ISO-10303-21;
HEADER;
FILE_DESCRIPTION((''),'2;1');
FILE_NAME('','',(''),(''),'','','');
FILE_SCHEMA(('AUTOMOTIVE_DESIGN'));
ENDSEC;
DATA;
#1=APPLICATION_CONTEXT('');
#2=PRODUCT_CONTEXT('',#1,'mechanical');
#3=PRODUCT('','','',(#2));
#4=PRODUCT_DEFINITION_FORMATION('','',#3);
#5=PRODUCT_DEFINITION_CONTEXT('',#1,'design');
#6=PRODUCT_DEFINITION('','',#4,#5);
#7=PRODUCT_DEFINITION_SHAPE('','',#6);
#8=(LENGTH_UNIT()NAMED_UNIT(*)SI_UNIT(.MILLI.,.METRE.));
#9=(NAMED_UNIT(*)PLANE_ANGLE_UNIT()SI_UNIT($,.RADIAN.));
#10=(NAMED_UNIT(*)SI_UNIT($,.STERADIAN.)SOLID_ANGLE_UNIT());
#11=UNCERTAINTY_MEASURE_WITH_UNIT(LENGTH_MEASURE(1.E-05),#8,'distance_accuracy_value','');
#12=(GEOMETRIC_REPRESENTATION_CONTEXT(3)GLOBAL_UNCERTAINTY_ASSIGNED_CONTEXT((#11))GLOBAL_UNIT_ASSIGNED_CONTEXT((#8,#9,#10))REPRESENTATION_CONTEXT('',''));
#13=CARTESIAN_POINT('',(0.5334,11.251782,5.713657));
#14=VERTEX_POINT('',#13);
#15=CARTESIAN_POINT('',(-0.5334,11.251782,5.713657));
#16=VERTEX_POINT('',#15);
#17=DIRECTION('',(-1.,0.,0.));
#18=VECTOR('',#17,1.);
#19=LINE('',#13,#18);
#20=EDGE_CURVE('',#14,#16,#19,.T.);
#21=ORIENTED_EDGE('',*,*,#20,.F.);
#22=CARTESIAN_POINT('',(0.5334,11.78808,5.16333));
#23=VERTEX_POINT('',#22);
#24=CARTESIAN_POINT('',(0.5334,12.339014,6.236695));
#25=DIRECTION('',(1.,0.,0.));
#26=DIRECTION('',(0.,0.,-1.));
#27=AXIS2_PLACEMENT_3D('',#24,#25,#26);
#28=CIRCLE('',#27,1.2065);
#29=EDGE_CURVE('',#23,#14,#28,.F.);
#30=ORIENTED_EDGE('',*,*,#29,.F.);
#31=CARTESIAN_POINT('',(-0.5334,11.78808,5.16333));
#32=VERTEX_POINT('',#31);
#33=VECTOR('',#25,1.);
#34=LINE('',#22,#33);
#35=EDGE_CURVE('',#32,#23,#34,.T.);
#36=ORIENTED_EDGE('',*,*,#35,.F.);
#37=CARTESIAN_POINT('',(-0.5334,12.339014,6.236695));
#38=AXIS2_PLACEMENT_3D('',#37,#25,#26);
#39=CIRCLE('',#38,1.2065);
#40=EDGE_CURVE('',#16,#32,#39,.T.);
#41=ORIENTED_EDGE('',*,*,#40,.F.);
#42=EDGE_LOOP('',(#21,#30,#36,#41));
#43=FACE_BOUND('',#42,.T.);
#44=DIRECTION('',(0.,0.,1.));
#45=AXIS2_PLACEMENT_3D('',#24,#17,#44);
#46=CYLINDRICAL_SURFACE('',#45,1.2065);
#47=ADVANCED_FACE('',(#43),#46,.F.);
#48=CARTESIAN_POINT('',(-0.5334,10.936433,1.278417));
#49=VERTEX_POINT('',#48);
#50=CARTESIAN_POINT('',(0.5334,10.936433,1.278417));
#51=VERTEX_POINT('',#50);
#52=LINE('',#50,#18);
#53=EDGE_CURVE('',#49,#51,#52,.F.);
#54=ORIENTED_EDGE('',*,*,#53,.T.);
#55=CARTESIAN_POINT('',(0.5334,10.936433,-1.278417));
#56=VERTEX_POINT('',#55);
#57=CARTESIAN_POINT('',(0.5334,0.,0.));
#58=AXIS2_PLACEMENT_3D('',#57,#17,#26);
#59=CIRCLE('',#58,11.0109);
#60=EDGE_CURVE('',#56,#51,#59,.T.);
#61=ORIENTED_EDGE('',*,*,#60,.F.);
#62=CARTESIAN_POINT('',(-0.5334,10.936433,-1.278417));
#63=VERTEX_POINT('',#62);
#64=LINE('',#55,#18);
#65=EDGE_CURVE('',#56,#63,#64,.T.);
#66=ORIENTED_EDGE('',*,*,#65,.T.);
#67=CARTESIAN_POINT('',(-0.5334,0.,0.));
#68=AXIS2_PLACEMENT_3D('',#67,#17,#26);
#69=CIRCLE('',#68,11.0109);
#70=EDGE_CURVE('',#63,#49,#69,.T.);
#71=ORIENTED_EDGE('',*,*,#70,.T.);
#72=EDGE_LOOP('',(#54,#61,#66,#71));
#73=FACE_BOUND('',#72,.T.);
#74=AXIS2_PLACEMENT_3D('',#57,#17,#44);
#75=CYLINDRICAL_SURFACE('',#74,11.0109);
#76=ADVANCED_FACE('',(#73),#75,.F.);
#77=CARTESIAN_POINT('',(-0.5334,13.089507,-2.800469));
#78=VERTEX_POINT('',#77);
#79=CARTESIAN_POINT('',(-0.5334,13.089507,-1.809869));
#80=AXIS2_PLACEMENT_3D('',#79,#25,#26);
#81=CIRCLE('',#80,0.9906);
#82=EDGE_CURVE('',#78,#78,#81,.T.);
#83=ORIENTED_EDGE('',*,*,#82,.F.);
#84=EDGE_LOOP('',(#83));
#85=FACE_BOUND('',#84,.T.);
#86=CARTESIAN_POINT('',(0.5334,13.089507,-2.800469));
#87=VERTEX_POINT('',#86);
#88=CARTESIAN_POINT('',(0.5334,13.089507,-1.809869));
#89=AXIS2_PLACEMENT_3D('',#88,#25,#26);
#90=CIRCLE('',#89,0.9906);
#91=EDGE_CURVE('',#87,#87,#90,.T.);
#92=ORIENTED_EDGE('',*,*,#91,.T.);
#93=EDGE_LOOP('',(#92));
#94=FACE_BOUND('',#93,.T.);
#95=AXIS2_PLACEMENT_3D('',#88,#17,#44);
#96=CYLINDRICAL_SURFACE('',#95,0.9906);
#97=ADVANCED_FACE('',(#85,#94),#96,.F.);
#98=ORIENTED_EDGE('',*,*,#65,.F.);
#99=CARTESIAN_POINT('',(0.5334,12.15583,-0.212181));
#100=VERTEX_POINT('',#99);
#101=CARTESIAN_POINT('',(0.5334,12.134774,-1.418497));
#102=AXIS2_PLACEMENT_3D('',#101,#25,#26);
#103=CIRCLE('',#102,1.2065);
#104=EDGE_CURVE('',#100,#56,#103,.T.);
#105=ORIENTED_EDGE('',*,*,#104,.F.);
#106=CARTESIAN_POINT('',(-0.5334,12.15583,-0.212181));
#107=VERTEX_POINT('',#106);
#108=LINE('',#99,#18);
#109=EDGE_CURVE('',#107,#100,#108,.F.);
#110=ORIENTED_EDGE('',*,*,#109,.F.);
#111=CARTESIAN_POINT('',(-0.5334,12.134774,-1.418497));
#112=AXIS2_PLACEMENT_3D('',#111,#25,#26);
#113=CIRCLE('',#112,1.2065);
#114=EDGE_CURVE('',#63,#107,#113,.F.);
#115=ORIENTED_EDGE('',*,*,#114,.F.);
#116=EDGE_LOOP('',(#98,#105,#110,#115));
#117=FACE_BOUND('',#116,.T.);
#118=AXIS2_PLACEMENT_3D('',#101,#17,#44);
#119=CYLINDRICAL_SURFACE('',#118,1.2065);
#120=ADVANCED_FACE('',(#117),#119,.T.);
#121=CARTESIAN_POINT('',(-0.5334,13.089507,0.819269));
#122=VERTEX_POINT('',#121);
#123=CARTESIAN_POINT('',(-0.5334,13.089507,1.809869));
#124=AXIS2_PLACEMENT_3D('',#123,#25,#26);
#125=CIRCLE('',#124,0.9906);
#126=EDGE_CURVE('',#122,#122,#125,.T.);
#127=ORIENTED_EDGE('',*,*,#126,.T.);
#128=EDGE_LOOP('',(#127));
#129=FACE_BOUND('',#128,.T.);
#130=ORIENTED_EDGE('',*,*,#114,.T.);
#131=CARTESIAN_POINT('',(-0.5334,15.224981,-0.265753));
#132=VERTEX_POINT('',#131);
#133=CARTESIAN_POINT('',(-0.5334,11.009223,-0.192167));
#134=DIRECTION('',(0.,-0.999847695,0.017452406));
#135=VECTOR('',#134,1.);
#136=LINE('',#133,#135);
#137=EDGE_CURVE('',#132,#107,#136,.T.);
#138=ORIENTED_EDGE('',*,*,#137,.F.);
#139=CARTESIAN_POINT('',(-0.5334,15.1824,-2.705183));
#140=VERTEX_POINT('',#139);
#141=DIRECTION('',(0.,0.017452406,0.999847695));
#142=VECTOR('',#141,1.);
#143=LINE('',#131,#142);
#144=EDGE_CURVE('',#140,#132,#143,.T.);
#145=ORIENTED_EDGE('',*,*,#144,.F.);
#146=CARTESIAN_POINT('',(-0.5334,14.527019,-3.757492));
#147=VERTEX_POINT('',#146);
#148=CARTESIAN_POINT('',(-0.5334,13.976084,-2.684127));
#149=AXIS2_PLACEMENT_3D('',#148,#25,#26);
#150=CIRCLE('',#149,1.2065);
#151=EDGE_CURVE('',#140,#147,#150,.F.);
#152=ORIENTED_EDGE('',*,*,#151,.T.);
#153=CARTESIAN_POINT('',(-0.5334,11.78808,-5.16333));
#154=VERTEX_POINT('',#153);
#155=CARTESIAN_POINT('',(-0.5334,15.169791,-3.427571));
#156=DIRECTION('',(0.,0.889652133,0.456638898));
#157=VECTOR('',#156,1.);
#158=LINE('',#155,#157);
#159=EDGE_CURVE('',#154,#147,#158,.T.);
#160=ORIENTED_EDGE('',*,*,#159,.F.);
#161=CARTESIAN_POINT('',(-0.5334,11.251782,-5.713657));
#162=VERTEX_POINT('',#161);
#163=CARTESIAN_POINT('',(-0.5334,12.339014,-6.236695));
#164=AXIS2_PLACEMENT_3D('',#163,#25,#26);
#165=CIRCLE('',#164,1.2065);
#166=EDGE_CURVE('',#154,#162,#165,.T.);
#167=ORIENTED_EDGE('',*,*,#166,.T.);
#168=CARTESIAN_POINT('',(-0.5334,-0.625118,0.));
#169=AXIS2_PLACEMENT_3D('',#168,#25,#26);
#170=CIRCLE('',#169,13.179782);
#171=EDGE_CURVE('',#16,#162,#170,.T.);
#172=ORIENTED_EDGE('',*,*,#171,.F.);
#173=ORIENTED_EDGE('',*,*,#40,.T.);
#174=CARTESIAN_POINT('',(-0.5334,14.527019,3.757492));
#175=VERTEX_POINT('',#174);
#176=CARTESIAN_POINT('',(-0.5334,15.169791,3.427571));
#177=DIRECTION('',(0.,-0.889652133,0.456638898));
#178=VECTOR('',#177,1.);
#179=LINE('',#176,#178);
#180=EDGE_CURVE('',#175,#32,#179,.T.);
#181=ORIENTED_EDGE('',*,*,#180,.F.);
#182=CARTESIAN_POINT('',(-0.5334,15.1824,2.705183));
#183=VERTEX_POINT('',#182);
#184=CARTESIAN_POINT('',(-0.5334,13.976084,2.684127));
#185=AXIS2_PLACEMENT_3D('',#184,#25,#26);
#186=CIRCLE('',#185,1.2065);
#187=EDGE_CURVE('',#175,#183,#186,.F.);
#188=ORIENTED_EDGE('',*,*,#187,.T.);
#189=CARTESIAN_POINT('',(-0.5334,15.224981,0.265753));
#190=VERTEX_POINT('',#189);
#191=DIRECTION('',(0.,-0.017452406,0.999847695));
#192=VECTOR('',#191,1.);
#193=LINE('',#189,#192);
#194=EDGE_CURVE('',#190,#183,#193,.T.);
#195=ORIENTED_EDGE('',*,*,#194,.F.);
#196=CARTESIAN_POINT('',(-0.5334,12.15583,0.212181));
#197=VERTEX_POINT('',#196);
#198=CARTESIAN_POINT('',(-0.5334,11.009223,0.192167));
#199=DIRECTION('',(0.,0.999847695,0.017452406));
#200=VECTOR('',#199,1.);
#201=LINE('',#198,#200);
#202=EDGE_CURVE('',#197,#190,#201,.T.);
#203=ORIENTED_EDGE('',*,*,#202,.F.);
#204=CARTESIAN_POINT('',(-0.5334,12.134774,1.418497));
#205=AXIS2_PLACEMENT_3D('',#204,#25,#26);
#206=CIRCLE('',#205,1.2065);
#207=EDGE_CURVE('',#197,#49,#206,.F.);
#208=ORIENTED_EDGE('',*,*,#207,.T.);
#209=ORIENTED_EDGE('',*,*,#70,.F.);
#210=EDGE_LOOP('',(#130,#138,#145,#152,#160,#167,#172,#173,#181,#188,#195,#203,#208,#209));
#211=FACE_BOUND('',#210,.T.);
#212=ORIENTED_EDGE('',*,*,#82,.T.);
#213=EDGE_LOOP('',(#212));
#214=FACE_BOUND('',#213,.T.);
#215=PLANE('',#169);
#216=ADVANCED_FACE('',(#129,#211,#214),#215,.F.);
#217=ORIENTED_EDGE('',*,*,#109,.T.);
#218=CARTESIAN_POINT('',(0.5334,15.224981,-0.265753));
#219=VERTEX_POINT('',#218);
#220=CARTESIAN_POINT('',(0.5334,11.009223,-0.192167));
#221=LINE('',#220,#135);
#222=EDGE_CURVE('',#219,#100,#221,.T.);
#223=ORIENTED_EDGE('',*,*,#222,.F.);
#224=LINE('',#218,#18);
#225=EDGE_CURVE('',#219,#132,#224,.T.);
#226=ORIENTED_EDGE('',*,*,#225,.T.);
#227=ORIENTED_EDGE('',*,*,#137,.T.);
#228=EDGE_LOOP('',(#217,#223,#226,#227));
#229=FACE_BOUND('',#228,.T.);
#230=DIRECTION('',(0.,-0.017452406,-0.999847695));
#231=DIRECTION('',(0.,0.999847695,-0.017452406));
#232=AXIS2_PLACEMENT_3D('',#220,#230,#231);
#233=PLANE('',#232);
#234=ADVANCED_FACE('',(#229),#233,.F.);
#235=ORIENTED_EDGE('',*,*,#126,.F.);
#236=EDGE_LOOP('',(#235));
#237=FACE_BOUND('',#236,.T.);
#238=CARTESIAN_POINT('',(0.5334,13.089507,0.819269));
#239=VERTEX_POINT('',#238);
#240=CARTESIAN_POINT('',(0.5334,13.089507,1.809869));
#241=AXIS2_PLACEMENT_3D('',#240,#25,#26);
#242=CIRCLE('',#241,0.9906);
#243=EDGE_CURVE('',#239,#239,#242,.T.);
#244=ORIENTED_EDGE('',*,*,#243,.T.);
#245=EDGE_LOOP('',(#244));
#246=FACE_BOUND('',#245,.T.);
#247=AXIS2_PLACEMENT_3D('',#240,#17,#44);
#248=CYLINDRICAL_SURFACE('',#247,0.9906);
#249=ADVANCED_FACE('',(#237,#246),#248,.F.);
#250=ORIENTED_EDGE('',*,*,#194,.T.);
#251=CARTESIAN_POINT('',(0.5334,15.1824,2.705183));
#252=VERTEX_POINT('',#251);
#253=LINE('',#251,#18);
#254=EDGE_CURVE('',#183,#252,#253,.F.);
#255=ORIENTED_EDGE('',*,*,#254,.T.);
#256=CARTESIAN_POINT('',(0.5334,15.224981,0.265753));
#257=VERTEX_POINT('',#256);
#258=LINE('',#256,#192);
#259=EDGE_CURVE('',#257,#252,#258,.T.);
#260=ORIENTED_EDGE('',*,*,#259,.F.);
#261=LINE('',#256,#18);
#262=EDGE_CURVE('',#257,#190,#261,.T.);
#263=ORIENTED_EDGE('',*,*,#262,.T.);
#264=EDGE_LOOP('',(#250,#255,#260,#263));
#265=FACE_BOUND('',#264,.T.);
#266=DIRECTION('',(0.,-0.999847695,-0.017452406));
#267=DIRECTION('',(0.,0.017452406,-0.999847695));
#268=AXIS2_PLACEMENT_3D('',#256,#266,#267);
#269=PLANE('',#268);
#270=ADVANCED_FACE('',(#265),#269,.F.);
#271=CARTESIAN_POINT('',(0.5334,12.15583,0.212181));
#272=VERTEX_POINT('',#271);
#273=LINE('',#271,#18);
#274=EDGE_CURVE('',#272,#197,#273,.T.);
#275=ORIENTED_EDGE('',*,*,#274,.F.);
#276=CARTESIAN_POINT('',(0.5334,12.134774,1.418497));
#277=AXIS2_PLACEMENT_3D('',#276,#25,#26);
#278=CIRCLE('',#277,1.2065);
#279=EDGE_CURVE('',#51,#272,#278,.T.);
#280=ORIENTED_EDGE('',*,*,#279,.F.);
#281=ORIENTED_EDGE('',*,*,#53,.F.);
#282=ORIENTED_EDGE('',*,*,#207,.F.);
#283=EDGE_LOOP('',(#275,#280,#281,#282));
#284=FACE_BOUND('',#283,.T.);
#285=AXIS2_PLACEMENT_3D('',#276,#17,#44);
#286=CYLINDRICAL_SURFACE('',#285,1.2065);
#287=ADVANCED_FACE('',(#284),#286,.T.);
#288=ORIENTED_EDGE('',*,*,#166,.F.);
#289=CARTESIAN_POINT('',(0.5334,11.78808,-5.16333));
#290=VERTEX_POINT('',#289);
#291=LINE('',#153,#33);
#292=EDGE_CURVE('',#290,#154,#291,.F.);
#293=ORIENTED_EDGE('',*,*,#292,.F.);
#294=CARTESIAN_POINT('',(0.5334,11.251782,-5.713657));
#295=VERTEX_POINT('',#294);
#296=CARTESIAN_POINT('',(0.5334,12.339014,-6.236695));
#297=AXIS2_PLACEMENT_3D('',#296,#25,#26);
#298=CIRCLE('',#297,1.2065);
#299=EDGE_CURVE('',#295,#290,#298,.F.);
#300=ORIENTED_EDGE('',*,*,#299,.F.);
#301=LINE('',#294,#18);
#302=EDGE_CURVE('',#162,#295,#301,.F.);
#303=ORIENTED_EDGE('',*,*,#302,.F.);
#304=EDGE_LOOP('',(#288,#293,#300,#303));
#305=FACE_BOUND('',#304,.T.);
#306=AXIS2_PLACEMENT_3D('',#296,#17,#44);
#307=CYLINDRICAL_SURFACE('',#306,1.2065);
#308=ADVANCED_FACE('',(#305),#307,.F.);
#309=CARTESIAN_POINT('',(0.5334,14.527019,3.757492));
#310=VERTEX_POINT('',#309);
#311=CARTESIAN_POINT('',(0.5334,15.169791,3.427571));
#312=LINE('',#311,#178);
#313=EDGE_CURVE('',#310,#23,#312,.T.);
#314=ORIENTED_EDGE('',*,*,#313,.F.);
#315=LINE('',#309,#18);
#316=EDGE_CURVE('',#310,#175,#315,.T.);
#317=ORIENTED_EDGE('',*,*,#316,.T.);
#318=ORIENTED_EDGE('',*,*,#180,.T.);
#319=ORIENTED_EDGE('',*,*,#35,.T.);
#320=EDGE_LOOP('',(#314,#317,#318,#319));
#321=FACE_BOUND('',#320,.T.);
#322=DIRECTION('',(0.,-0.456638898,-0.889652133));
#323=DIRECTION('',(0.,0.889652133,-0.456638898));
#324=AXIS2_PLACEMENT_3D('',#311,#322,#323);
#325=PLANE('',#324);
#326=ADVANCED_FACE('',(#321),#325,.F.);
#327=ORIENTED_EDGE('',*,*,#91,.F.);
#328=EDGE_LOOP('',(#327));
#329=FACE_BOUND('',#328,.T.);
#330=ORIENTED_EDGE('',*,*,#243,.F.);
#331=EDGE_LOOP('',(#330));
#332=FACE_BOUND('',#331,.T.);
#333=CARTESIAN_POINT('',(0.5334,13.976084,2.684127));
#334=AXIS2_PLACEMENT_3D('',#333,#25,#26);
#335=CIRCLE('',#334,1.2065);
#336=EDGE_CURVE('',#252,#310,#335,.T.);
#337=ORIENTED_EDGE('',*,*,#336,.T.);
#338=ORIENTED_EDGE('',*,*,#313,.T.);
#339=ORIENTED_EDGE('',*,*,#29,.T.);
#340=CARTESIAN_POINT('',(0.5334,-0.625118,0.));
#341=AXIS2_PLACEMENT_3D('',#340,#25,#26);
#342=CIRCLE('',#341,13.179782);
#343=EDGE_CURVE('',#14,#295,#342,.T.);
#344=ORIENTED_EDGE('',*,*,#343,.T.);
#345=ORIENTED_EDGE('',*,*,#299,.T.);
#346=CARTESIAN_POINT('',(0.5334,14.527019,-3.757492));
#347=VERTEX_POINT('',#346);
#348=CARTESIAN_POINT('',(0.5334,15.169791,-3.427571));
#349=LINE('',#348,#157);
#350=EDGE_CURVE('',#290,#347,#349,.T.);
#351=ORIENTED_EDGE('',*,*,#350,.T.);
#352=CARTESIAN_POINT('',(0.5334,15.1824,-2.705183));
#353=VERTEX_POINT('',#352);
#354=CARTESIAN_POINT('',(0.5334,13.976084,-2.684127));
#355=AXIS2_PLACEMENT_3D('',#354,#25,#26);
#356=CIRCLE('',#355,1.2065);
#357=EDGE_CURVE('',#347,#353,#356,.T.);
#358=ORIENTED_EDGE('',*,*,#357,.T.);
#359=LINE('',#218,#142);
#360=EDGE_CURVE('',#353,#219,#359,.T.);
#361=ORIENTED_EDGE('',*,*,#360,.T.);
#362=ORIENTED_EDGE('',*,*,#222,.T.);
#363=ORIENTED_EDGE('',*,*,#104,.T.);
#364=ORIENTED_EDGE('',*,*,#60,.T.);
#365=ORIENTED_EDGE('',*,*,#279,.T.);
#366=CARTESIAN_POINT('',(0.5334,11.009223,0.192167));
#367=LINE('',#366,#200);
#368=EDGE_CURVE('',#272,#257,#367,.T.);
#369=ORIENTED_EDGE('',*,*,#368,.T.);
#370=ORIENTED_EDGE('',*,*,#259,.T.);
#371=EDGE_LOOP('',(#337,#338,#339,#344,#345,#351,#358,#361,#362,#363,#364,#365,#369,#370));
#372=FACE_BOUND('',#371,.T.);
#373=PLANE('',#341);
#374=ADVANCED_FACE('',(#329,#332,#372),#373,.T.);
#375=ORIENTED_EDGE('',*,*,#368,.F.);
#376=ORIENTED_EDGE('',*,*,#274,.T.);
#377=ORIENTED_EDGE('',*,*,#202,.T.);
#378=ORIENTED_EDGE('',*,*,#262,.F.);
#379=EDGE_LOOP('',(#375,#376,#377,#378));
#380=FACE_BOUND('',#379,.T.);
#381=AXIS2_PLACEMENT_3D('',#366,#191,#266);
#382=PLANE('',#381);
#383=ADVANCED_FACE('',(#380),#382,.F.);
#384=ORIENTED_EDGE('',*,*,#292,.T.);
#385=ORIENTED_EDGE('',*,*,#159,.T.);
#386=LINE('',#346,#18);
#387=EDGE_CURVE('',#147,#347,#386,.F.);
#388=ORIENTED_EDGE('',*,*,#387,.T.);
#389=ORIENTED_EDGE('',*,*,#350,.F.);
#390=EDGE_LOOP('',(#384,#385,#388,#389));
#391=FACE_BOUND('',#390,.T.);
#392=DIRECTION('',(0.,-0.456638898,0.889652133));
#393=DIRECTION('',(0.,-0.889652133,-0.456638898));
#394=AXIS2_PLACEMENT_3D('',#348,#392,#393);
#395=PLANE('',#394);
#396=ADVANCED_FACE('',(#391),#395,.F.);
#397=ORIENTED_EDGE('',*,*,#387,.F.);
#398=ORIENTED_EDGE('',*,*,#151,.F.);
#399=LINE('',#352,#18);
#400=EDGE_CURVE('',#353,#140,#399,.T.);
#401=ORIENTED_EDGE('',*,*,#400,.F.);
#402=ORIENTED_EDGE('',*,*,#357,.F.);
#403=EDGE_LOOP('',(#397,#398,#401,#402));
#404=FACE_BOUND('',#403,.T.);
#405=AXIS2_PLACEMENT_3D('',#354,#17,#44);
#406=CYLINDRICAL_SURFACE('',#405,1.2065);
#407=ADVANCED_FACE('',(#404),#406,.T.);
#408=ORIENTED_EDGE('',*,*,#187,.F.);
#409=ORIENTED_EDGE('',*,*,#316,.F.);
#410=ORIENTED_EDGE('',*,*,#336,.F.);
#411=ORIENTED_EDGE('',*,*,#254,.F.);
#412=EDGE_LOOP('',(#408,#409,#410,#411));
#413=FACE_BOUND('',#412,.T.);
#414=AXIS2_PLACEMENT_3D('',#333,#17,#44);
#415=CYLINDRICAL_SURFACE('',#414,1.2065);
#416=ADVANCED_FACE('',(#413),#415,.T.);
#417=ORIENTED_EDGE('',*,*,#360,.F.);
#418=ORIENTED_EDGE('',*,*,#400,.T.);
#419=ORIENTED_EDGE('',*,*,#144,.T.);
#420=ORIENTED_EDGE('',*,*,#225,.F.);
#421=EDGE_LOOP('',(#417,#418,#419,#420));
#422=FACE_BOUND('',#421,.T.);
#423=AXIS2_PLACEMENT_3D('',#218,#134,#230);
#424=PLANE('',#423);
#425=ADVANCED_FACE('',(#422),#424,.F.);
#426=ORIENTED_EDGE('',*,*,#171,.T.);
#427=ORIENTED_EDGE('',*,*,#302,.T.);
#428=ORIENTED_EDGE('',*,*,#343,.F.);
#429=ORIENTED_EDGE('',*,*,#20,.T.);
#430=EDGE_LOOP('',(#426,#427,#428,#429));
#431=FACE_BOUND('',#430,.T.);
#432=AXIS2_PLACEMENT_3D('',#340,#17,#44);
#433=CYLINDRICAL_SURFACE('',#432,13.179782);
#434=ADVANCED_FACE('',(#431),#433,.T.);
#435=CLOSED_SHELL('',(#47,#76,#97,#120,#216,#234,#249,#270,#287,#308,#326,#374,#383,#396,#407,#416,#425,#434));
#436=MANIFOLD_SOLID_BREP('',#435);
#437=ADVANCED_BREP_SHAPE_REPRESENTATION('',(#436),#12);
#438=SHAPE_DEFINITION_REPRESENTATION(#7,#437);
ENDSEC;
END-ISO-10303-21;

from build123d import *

# Parameters (mm, degrees)
BOSS_EXTRUDE1_DEPTH      = 0.5334
BOSS_EXTRUDE1_DEPTH_BACK = 0.5334
SKETCH3_R                = 0.9906
FILLET1_R                = 1.2065


with BuildPart() as part:
    # Sketch3 → Boss-Extrude1 (new, two sides: drawn at the far end of the back side and taken through both)
    with BuildSketch(Plane(origin=(0, 0, 0), x_dir=(0, 0, -1), z_dir=(1, 0, 0)).offset(-BOSS_EXTRUDE1_DEPTH_BACK)):
        with BuildLine():
            Line((-3.427571395, 15.169791064), (-5.352943643, 11.418661811))
            ThreePointArc((-5.352943643, 11.418661811), (0, -13.8049), (5.352943643, 11.418661811))
            Line((5.352943643, 11.418661811), (3.427571395, 15.169791064))
            Line((3.427571395, 15.169791064), (0.265753029, 15.224980808))
            Line((0.265753029, 15.224980808), (0.192166702, 11.009222987))
            ThreePointArc((0.192166702, 11.009222987), (0, -11.0109), (-0.192166702, 11.009222987))
            Line((-0.192166702, 11.009222987), (-0.265753029, 15.224980808))
            Line((-0.265753029, 15.224980808), (-3.427571395, 15.169791064))
        make_face()
        with Locations((-1.809869048, 13.089507025)):
            Circle(SKETCH3_R, mode=Mode.SUBTRACT)
        with Locations((1.809869048, 13.089507025)):
            Circle(SKETCH3_R, mode=Mode.SUBTRACT)
    extrude(amount=BOSS_EXTRUDE1_DEPTH + BOSS_EXTRUDE1_DEPTH_BACK)

    # Fillet1
    fillet1_edges = [part.edges().sort_by_distance(p)[0] for p in [
        (0, 11.418661811, 5.352943643),
        (0, 15.169791064, 3.427571395),
        (0, 11.009222987, 0.192166702),
        (0, 11.009222987, -0.192166702),
        (0, 15.169791064, -3.427571395),
        (0, 11.418661811, -5.352943643),
    ]]
    fillet(fillet1_edges, radius=FILLET1_R)


solid = part.part
